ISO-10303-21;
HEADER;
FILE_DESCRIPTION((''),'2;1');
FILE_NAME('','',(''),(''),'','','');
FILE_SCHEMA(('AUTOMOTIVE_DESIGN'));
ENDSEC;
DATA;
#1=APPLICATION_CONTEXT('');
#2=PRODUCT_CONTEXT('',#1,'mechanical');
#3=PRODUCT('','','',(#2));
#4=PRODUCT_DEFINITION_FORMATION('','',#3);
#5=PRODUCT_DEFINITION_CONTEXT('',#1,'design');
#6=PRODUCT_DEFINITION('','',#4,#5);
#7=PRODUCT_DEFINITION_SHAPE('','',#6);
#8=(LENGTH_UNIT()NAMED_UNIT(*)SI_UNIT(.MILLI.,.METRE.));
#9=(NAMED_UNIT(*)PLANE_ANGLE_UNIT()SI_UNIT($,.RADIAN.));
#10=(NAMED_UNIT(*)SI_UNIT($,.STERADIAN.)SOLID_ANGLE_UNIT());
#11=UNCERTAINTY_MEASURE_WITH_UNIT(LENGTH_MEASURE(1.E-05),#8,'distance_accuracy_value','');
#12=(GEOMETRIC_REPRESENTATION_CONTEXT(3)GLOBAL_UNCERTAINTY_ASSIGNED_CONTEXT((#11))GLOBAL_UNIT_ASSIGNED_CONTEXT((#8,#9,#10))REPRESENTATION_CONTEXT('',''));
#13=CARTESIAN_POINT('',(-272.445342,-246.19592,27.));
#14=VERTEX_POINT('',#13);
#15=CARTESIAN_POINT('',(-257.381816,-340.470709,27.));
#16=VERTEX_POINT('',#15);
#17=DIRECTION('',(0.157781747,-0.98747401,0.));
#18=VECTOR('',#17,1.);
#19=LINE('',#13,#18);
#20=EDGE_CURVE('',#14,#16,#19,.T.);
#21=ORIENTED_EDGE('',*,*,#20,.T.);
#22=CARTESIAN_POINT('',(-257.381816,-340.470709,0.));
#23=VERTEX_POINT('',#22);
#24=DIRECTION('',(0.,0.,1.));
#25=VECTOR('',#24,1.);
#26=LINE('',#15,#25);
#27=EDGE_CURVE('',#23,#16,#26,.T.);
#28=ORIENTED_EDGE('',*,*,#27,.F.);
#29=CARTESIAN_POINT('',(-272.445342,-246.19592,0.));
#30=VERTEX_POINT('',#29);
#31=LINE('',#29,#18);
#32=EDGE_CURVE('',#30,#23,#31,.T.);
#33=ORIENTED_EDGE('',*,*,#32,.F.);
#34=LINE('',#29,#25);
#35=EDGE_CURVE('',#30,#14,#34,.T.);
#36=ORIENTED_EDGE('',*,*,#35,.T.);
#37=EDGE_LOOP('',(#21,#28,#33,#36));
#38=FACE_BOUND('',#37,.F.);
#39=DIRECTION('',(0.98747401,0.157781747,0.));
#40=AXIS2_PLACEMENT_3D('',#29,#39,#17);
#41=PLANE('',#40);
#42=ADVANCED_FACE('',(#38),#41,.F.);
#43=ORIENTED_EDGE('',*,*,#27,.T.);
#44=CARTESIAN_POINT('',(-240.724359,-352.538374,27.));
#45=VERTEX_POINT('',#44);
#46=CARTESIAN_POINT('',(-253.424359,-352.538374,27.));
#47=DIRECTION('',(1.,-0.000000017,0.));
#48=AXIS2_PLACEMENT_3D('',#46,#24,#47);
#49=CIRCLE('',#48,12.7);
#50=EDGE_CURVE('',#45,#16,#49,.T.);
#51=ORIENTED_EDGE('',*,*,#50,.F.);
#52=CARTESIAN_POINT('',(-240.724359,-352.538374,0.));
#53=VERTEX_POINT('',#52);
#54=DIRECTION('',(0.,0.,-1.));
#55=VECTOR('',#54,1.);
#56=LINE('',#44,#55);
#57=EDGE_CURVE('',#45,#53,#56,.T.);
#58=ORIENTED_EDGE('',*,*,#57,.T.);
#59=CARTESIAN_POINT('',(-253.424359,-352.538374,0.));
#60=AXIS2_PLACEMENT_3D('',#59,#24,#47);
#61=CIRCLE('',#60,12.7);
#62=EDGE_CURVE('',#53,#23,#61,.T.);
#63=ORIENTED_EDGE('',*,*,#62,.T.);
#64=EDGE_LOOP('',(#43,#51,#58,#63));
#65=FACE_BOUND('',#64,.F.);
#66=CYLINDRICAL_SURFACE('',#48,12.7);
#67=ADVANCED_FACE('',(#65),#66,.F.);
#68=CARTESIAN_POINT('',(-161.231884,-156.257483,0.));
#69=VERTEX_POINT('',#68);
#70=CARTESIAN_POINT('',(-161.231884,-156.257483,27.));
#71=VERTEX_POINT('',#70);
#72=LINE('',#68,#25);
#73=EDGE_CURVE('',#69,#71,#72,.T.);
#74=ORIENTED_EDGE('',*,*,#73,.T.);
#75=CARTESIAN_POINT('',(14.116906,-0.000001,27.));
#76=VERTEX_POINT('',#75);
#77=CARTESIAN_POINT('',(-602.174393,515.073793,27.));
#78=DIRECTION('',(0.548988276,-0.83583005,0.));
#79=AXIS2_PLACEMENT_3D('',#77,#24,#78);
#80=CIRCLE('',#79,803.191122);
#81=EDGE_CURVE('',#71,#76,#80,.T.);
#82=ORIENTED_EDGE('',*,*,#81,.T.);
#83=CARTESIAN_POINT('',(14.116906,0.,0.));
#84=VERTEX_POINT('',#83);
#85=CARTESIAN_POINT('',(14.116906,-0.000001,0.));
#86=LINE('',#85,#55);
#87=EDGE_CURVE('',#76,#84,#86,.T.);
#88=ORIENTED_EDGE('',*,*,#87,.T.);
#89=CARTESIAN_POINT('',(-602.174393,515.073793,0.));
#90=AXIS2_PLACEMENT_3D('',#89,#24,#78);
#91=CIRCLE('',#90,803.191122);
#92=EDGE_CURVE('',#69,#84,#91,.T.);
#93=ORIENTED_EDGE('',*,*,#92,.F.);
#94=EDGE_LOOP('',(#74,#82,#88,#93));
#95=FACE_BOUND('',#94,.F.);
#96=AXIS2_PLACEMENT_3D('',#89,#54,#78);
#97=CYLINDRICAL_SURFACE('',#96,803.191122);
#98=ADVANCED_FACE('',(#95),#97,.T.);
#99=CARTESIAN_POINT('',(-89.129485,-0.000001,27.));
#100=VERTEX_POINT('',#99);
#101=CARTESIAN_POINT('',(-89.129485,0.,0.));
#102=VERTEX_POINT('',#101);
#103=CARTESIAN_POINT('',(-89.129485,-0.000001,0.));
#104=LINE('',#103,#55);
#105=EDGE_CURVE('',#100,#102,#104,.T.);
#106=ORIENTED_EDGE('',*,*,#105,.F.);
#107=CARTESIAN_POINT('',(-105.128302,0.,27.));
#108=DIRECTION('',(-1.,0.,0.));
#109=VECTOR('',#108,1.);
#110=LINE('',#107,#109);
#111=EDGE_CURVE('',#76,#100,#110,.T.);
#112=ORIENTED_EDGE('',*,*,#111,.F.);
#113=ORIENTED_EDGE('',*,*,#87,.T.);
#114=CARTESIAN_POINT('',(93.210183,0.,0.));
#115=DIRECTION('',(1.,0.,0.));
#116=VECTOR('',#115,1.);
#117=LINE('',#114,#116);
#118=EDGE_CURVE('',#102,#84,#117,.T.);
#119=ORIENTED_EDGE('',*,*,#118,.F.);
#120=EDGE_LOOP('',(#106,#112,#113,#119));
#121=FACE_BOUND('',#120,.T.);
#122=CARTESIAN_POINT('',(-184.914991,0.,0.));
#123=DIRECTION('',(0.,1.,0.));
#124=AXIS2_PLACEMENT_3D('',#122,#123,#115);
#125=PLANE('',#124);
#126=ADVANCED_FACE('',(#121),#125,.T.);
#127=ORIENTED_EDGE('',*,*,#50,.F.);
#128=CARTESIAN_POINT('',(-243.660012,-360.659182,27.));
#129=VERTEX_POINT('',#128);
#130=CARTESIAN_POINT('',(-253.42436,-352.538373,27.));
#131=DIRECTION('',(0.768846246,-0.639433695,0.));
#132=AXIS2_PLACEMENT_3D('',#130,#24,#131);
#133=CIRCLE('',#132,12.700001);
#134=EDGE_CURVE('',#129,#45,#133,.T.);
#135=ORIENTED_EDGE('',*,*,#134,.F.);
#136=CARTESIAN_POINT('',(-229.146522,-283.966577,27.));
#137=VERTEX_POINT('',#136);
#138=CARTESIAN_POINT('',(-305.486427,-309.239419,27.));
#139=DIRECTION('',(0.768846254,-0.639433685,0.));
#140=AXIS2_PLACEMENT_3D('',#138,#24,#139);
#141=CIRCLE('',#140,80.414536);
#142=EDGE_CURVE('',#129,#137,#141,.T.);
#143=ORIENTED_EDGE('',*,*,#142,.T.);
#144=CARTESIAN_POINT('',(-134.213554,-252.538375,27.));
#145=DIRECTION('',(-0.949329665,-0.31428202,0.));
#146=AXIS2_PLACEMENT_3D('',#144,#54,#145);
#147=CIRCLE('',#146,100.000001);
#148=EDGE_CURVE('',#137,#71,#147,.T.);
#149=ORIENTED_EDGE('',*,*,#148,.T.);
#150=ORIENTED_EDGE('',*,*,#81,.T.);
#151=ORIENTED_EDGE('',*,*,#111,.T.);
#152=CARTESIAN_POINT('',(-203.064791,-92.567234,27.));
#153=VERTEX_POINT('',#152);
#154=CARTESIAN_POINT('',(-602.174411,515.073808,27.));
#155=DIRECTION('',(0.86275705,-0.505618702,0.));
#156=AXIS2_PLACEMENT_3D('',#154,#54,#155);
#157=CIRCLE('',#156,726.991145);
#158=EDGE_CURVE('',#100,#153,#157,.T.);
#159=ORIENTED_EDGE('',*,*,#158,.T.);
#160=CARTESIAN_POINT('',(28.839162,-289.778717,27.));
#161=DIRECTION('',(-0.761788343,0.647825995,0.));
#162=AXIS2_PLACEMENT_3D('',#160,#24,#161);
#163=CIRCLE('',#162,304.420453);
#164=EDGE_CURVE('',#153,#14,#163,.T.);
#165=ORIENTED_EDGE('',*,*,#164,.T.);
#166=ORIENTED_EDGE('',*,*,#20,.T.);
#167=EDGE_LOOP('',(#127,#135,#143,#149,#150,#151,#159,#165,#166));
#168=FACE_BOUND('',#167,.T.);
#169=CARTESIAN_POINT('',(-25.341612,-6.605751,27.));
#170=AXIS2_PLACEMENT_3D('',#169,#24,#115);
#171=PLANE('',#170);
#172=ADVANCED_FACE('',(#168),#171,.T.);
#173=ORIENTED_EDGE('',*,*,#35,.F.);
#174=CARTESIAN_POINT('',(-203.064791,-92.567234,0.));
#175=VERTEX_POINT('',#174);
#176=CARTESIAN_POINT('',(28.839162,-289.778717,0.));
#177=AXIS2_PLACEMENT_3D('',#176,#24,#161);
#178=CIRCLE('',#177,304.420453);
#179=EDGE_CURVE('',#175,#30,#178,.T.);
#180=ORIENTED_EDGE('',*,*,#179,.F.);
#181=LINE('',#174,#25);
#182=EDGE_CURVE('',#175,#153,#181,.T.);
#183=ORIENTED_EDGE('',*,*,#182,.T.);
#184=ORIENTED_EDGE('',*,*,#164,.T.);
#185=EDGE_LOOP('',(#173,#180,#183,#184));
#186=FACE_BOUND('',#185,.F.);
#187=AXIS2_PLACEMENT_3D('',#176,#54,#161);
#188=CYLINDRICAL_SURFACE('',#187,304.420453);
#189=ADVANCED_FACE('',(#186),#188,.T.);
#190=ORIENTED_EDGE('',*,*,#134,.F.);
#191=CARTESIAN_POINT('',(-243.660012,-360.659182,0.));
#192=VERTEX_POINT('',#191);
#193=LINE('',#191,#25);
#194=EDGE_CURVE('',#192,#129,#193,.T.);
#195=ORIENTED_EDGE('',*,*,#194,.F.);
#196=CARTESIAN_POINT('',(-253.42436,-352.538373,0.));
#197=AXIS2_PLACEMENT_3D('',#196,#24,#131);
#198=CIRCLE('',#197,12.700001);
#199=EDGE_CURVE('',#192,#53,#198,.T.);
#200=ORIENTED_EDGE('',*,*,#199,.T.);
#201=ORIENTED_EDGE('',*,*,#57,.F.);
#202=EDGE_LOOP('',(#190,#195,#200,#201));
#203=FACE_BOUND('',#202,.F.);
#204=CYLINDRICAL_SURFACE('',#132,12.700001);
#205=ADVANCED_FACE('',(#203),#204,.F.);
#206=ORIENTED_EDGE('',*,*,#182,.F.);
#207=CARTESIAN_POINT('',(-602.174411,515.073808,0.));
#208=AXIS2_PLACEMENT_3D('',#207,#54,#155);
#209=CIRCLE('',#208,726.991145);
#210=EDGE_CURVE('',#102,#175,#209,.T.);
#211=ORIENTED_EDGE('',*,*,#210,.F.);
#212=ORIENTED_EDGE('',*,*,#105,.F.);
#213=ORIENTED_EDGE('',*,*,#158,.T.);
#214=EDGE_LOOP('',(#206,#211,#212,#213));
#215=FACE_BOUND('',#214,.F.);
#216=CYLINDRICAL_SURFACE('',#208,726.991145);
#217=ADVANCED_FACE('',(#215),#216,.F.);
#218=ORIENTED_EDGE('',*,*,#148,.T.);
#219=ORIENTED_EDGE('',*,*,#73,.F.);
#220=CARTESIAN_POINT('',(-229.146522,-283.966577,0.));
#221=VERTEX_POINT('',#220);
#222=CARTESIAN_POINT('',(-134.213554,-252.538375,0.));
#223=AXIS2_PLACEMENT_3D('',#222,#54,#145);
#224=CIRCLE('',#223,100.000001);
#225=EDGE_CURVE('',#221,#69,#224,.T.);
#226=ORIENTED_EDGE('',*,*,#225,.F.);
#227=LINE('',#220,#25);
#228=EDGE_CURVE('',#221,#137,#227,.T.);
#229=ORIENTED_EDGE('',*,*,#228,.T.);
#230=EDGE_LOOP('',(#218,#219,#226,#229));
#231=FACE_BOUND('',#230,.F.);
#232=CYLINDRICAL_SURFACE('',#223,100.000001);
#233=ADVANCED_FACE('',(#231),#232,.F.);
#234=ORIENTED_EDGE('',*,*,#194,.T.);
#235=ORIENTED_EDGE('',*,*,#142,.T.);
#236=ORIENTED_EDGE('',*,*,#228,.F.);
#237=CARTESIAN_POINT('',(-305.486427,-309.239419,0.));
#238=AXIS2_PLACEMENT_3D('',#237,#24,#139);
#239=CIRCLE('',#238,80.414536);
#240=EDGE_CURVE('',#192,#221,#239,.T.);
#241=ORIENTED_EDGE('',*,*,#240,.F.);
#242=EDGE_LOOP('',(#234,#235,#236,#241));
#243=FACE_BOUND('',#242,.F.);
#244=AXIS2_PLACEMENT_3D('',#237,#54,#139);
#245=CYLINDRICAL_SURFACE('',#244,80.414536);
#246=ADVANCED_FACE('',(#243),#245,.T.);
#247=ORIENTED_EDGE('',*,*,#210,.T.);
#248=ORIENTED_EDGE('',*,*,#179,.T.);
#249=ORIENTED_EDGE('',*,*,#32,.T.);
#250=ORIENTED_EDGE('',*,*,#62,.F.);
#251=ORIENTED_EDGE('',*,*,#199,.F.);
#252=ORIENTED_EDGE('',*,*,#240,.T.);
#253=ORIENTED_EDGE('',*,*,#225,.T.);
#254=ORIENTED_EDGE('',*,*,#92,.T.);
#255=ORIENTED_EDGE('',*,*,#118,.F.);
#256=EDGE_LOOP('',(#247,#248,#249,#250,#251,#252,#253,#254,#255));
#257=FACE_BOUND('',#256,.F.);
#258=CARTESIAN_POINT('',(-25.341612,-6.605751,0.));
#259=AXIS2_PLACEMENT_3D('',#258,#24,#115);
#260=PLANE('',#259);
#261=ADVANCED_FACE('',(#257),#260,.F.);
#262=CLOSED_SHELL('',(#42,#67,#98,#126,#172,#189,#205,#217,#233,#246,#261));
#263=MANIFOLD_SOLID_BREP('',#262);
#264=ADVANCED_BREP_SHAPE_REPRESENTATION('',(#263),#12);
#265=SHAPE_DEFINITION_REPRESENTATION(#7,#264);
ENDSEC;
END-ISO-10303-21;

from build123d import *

# Parameters (mm, degrees)
F1_DEPTH = 27
F4_DEPTH = 29.13629
F5_W     = 556.250348
F5_H     = 232.422799
F6_DEPTH = 50


with BuildPart() as f1:
    # F0 (on Top) → F1 (new body)
    with BuildSketch(Plane.XY):
        with BuildLine():
            ThreePointArc((103.141751, 130.827628), (147.000525, 190.646497), (220.000119, 203.797485))
            Line((220.000119, 203.797485), (331.982739, 180.898076))
            ThreePointArc((331.982739, 180.898076), (297.759937, 202.019334), (260.019282, 215.909999))
            ThreePointArc((260.019282, 215.909999), (247.785722, 214.790312), (240.327458, 224.551869))
            ThreePointArc((240.327458, 224.551869), (186.047212, 230.450127), (134.405585, 212.722269))
            ThreePointArc((134.405585, 212.722269), (96.675345, 191.925026), (57.181264, 174.711255))
            ThreePointArc((57.181264, 174.711255), (38.789615, 163.844419), (25.042325, 147.493489))
            ThreePointArc((25.042325, 147.493489), (-75.160431, 14.302014), (-203.064791, -92.567234))
            ThreePointArc((-203.064791, -92.567234), (-248.600788, -164.483519), (-272.445342, -246.19592))
            Line((-272.445342, -246.19592), (-253.424359, -365.238374))
            ThreePointArc((-253.424359, -365.238374), (-248.03197, -364.036727), (-243.660012, -360.659182))
            ThreePointArc((-243.660012, -360.659182), (-226.474264, -324.191868), (-229.146522, -283.966577))
            ThreePointArc((-229.146522, -283.966577), (-222.505303, -205.585554), (-161.231884, -156.257483))
            ThreePointArc((-161.231884, -156.257483), (-11.343038, -29.016538), (103.141751, 130.827628))
        make_face()
    extrude(amount=F1_DEPTH)

    # F3 (on face) → F4 (cut)
    with BuildSketch(Plane.XY.offset(27)):
        with BuildLine():
            ThreePointArc((-240.724359, -352.538374), (-262.404616, -343.558118), (-253.424359, -365.238374))
            ThreePointArc((-253.424359, -365.238374), (-248.03197, -364.036727), (-243.660012, -360.659182))
            ThreePointArc((-243.660012, -360.659182), (-241.4808, -356.855942), (-240.724359, -352.538374))
        make_face()
    extrude(amount=-F4_DEPTH, mode=Mode.SUBTRACT)

    # F5 (on face) → F6 (cut)
    with BuildSketch(Plane.XY):
        with Locations((93.210183, 116.211399)):
            Rectangle(F5_W, F5_H)
    extrude(amount=F6_DEPTH, mode=Mode.SUBTRACT)


solid = f1.part
